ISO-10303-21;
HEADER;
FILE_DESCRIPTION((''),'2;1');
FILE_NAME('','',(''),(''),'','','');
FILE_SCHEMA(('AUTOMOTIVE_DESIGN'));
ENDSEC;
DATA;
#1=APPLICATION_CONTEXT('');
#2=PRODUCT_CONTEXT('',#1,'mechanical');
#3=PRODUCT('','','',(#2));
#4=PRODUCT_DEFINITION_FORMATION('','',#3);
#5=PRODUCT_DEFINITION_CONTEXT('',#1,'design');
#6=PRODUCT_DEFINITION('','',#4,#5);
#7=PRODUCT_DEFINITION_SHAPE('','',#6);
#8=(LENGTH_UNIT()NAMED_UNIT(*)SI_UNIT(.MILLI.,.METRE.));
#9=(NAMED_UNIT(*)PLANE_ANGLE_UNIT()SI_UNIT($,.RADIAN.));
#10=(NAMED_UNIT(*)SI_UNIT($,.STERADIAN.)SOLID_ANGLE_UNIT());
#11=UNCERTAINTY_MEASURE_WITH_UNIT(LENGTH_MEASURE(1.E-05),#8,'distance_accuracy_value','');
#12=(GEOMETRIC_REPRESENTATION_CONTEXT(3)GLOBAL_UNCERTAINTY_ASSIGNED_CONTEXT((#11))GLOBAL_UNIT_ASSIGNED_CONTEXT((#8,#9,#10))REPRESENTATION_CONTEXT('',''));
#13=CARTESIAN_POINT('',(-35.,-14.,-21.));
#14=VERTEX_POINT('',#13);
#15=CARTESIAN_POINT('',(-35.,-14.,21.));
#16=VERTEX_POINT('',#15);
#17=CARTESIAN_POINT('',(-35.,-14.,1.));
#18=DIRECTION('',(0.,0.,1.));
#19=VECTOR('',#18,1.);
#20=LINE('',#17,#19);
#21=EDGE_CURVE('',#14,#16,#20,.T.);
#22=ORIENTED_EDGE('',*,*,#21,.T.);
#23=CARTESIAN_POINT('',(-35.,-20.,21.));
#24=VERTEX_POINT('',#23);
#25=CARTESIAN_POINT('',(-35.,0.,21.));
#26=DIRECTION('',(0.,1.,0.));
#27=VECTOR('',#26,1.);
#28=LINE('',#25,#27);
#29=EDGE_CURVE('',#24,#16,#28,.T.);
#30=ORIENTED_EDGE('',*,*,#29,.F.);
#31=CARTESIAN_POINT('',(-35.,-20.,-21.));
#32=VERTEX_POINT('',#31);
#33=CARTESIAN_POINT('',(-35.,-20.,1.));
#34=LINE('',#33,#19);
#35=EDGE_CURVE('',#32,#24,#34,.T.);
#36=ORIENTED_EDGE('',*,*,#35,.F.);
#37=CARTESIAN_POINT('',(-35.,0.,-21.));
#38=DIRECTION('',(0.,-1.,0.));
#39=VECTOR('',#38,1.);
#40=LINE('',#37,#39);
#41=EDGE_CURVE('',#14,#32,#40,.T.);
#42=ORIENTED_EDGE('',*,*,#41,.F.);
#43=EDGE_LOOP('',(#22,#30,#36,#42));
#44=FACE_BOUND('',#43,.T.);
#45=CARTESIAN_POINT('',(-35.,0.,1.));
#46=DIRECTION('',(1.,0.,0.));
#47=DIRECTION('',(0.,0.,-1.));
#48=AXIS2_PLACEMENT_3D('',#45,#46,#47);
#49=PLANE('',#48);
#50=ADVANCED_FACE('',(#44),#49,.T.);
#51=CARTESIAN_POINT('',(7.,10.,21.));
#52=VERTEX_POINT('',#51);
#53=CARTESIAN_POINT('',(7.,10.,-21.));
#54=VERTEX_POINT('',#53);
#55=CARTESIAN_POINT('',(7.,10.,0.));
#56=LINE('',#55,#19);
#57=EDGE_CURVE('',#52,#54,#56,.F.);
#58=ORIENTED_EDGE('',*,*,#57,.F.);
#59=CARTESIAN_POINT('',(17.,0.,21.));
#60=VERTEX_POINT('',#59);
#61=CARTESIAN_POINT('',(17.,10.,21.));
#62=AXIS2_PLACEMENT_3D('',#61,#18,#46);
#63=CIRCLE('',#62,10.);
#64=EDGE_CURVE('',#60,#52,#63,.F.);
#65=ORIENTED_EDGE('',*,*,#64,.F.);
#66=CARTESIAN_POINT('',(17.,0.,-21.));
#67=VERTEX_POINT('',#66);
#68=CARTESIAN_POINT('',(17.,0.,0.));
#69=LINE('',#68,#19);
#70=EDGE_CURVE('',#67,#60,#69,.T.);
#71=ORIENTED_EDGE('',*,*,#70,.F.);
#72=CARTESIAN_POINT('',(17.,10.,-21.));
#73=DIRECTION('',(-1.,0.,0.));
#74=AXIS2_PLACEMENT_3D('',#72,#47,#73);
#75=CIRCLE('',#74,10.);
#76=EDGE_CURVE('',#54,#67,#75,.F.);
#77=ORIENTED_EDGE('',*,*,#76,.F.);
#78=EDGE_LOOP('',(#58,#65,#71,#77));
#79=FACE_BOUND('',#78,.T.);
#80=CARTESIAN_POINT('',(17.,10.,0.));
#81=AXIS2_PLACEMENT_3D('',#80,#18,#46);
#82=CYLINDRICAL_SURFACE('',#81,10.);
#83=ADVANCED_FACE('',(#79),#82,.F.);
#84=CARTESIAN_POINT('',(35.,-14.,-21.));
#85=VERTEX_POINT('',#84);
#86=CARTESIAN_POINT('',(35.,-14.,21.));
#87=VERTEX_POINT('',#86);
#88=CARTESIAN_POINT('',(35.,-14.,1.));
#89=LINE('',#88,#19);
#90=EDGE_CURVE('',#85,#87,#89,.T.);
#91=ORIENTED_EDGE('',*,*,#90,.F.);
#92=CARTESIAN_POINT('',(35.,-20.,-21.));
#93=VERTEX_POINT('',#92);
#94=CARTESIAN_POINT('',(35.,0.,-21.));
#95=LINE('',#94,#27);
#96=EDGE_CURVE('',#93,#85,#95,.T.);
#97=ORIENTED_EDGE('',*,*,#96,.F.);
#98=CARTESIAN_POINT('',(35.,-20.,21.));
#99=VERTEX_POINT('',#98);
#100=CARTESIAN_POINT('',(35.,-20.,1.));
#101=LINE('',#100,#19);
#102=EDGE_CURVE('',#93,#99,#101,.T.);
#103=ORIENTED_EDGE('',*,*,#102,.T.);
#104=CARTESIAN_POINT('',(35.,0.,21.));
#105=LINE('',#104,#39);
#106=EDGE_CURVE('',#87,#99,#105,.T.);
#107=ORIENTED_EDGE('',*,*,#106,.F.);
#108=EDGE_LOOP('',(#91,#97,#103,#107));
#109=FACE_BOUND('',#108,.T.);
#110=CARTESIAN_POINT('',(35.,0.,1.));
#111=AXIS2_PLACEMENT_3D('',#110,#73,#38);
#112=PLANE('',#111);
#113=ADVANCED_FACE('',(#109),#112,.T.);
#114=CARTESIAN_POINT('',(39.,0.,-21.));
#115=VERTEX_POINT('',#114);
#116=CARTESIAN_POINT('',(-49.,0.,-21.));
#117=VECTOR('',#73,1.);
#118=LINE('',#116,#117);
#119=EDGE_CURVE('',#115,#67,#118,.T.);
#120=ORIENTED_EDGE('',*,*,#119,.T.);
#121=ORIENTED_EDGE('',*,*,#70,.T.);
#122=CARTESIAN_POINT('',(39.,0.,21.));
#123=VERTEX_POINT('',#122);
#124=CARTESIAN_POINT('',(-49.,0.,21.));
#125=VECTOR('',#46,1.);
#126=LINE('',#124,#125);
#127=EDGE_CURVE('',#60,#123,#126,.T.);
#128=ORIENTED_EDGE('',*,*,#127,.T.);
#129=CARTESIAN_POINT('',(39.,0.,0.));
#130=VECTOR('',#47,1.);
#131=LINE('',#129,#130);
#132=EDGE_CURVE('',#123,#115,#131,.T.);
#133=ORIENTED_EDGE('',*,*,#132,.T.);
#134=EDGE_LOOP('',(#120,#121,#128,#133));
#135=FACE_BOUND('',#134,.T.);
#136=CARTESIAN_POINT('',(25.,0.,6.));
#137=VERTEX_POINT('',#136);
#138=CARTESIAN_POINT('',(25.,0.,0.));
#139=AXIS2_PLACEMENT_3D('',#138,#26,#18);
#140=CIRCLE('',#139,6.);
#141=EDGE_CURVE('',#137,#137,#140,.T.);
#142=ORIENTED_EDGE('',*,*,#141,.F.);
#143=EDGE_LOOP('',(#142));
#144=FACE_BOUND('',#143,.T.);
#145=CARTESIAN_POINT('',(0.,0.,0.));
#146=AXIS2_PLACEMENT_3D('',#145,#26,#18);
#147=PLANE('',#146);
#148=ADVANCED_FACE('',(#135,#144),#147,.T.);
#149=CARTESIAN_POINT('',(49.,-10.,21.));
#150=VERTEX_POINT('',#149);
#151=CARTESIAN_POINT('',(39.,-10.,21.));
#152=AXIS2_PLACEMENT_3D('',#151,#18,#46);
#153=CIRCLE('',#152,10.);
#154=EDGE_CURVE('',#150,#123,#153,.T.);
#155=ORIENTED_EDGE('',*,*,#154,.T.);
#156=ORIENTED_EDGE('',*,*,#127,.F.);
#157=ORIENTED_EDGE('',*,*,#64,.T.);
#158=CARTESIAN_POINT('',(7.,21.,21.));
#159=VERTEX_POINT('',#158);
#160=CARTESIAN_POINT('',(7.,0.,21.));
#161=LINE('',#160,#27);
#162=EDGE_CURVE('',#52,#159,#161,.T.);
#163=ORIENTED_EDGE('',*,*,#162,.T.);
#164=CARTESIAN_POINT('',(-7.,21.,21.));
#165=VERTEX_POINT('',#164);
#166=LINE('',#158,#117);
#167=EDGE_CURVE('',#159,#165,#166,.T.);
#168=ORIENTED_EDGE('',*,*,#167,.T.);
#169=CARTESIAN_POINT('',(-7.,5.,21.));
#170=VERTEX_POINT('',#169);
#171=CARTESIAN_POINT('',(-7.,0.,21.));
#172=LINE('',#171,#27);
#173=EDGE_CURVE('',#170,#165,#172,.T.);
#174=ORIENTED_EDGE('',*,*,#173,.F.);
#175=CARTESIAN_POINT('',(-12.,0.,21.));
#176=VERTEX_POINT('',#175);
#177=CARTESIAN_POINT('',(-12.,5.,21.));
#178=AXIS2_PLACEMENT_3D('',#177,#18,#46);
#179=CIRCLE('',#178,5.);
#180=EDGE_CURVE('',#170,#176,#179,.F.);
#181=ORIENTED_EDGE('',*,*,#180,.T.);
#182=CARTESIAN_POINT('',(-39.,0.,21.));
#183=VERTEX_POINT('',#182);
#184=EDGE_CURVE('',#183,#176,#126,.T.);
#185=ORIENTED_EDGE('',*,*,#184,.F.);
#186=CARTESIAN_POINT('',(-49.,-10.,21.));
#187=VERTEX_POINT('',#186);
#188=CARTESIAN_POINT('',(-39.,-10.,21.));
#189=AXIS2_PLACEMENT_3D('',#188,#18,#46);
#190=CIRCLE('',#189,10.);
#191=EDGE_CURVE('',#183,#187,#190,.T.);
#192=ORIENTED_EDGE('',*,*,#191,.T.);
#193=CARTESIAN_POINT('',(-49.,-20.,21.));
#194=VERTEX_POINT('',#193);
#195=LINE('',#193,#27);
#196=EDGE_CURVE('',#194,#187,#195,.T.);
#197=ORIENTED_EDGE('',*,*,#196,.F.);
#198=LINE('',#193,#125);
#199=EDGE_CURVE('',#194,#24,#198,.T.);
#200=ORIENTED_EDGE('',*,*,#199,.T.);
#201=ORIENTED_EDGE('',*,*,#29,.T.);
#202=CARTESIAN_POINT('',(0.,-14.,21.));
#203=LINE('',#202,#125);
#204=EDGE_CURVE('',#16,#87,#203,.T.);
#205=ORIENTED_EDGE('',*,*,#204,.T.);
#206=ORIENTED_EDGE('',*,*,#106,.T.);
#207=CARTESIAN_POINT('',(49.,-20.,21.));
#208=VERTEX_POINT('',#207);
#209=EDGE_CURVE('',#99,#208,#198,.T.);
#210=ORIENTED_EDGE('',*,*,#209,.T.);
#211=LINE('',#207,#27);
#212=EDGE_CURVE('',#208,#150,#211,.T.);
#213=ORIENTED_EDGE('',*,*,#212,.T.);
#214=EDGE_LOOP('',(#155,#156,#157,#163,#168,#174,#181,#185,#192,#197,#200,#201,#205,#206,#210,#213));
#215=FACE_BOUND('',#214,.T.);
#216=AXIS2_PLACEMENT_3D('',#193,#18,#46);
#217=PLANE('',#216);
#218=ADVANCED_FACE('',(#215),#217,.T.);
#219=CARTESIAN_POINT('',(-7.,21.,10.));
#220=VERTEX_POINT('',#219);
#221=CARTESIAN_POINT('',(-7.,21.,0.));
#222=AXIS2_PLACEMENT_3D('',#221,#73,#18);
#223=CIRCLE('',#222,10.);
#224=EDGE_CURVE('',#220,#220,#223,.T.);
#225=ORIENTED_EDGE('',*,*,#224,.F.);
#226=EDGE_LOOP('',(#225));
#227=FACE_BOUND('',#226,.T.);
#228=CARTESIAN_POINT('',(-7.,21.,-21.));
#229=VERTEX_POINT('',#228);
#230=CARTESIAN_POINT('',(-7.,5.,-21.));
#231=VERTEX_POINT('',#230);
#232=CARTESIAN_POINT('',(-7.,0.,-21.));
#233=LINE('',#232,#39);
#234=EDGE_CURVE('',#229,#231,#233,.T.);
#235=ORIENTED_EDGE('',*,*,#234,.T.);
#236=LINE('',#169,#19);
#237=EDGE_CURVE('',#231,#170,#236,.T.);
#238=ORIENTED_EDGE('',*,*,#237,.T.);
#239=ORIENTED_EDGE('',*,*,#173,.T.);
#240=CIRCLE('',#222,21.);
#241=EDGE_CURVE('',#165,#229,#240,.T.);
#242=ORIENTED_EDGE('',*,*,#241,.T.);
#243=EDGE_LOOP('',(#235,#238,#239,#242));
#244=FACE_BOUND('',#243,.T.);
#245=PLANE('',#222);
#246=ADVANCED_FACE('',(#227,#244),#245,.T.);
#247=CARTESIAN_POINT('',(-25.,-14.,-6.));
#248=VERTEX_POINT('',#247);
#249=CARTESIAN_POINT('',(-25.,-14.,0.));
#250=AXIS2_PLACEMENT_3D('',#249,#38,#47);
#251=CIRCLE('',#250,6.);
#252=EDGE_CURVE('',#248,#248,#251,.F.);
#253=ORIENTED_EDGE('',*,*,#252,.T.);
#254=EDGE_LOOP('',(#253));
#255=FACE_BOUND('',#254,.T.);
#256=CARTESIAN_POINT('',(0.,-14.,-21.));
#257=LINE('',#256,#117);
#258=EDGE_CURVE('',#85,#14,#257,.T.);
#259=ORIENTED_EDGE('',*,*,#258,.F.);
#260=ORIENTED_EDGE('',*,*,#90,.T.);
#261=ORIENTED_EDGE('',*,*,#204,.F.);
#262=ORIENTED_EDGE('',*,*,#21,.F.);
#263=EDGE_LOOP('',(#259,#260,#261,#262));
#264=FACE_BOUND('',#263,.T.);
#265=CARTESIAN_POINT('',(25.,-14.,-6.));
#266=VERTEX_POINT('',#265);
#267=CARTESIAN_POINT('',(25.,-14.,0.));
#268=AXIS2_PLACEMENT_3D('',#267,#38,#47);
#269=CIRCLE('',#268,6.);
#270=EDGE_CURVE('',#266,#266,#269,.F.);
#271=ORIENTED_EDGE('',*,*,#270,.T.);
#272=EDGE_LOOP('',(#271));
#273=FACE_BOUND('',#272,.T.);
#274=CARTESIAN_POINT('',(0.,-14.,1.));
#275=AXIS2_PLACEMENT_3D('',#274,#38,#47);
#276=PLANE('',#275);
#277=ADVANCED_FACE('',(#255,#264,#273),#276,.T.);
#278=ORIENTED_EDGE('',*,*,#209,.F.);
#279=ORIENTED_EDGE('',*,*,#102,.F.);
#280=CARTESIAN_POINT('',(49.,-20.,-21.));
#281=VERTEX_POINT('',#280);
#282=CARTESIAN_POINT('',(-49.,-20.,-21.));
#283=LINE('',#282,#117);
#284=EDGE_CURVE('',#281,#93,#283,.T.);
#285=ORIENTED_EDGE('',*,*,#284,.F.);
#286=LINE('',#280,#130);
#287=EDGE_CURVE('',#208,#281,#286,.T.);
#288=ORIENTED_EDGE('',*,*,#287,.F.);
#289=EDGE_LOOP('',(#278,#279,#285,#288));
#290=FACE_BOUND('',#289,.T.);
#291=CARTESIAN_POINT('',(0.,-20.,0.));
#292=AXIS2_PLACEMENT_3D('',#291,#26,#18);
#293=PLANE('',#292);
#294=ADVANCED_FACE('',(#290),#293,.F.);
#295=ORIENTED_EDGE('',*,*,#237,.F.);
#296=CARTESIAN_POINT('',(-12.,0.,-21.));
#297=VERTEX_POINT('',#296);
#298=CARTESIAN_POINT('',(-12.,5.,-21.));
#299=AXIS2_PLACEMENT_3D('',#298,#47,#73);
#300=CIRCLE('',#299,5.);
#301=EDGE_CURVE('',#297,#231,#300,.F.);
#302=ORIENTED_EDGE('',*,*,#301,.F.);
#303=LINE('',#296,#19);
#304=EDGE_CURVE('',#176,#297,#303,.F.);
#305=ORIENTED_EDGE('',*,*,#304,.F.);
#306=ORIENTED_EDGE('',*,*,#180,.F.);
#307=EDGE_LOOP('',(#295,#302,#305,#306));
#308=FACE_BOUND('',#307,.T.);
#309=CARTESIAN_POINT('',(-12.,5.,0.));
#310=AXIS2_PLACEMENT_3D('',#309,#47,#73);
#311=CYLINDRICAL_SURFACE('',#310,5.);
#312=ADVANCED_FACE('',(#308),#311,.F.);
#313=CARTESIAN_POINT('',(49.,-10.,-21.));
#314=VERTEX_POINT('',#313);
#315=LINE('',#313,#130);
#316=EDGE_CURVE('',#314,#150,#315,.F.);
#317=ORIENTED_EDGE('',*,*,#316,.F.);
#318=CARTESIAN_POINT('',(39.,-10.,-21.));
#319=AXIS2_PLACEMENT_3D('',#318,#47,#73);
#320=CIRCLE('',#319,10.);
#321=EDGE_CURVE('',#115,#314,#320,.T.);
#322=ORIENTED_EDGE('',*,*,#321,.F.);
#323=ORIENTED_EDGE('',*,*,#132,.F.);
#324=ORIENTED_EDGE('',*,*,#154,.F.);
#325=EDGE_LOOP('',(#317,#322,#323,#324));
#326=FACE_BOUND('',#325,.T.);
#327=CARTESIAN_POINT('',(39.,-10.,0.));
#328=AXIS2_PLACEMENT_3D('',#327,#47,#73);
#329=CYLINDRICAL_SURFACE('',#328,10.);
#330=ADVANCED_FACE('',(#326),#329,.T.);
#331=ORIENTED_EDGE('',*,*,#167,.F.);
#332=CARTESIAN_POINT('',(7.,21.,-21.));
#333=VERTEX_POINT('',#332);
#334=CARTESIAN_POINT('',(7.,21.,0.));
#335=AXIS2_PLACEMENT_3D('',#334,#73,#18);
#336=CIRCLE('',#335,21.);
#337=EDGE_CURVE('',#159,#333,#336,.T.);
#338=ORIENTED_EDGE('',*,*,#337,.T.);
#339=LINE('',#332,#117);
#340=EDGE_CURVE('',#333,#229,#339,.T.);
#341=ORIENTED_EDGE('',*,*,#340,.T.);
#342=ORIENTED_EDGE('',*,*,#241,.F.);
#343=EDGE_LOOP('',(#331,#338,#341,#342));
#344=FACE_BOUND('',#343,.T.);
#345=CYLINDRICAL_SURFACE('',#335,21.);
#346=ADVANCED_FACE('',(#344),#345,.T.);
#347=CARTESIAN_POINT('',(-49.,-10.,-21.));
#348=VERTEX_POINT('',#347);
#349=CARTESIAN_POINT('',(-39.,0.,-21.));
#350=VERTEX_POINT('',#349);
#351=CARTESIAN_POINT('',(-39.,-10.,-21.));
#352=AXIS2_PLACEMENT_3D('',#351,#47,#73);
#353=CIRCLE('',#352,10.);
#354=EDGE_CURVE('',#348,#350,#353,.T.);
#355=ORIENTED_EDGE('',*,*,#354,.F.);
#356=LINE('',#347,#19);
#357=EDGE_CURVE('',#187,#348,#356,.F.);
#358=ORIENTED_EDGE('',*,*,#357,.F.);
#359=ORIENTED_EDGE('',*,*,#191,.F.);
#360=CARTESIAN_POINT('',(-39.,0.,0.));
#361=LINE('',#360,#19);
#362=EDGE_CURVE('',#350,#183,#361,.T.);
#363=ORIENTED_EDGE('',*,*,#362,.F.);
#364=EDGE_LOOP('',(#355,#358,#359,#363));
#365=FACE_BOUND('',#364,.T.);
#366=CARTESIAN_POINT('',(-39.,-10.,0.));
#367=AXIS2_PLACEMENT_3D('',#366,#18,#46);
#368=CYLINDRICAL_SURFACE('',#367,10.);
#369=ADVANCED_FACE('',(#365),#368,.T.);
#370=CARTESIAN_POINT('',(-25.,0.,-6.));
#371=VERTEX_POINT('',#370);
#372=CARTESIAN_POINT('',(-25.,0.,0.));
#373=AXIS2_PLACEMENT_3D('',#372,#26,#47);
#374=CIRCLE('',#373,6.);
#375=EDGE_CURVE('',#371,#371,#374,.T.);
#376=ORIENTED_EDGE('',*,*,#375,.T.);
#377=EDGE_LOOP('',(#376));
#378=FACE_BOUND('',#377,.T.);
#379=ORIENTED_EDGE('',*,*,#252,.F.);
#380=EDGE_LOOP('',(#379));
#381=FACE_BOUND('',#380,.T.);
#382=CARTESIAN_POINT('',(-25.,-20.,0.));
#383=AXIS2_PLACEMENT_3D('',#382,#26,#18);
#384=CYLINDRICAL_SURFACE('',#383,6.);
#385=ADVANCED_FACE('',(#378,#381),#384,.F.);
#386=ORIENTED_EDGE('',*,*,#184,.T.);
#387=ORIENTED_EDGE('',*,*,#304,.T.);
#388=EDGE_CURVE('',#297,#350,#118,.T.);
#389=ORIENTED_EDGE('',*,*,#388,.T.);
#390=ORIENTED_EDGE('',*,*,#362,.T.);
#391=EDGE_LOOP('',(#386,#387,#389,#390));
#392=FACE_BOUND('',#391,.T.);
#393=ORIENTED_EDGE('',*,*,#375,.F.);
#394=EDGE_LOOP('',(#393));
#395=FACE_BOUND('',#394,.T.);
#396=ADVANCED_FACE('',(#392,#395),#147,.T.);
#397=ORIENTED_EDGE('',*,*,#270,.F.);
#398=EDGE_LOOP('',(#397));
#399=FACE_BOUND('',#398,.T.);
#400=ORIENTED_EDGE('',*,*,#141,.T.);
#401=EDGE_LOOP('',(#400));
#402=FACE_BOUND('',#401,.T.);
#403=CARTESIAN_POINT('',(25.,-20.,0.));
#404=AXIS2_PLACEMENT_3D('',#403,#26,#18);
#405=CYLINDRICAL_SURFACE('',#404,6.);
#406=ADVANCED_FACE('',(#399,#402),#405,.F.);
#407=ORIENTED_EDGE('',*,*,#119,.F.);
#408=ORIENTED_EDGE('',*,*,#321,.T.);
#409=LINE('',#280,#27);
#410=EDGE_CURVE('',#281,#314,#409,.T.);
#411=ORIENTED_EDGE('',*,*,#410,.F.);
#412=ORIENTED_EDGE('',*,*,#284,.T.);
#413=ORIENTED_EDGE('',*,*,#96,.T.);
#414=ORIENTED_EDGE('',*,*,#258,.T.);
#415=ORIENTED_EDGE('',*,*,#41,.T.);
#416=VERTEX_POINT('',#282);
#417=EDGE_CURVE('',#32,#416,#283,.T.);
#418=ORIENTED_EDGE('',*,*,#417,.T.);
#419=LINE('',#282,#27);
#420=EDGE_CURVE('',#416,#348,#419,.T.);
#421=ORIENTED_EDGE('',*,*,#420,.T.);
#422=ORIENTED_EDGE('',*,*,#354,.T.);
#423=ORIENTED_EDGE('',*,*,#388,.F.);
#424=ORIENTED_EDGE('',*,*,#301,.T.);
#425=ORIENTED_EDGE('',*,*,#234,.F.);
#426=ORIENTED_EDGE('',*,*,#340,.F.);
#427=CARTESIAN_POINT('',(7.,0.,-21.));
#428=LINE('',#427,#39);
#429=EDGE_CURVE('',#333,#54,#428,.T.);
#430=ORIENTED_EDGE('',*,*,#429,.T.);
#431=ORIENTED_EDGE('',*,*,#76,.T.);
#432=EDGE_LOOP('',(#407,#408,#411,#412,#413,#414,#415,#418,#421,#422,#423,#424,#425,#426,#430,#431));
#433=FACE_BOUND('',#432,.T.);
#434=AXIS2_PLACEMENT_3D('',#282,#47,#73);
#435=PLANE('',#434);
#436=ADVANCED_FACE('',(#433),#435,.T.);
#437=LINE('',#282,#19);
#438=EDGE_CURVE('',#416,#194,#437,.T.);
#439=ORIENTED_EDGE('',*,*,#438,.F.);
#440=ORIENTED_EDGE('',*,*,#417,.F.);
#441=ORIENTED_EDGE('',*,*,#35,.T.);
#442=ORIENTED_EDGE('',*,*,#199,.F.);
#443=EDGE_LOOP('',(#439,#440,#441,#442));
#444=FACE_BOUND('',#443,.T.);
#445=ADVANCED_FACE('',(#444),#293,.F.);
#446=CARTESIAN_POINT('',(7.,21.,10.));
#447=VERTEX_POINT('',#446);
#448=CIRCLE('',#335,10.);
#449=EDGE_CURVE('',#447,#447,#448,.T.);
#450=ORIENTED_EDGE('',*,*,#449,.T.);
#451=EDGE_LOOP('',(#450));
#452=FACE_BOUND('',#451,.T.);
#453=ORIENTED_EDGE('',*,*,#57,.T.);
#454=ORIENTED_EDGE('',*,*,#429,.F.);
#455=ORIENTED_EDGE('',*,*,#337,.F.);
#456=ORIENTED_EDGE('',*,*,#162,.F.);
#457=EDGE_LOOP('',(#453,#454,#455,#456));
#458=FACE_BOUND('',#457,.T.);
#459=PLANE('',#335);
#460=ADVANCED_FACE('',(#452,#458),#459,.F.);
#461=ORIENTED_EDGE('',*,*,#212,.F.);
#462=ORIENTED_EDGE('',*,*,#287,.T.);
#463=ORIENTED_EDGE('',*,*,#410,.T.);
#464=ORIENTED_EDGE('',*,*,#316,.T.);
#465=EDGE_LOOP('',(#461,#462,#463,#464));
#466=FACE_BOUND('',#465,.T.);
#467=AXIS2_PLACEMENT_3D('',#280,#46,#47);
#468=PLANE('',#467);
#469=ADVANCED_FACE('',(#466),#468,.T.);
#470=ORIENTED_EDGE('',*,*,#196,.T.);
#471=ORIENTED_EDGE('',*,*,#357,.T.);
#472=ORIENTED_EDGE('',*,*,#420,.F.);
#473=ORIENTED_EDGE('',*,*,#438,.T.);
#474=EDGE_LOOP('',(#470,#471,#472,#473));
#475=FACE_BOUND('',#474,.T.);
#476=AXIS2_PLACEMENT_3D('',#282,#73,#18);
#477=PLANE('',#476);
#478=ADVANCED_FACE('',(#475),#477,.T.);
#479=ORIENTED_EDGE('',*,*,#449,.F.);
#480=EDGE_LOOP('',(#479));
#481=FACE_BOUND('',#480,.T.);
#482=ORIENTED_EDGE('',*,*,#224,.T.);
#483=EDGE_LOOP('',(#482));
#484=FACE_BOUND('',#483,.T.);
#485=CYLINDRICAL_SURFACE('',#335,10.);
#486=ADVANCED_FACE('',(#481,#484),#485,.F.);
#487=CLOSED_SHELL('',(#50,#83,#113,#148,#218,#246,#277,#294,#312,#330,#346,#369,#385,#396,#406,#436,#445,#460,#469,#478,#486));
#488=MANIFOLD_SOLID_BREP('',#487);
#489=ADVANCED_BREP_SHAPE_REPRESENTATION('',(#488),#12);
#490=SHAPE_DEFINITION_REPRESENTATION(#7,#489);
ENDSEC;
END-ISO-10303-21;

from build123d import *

# Parameters (mm, degrees)
SKETCH2_W           = 98
SKETCH2_H           = 42
SKETCH2_R           = 6
BOSS_EXTRUDE1_DEPTH = 20
SKETCH3_W           = 70
SKETCH3_H           = 6
CUT_EXTRUDE2_DEPTH  = 20
SKETCH4_W           = 70
SKETCH4_H           = 6
CUT_EXTRUDE3_DEPTH  = 20
SKETCH5_W           = 4.083920217
SKETCH5_H           = 6
CUT_EXTRUDE4_DEPTH  = 20
SKETCH6_W           = 4.083920217
SKETCH6_H           = 6
CUT_EXTRUDE5_DEPTH  = 20
SKETCH7_W           = 38.167840434
SKETCH7_H           = 6
CUT_EXTRUDE6_DEPTH  = 20
SKETCH8_R           = 10
BOSS_EXTRUDE2_DEPTH = 7
FILLET2_R           = 5
FILLET3_R           = 10


with BuildPart() as part:
    # Sketch2 → Boss-Extrude1 (new body)
    with BuildSketch(Plane(origin=(0, 0, 0), x_dir=(1, 0, 0), z_dir=(0, 1, 0))):
        Rectangle(SKETCH2_W, SKETCH2_H)
        with Locations((25, 0)):
            Circle(SKETCH2_R, mode=Mode.SUBTRACT)
        with Locations((-25, 0)):
            Circle(SKETCH2_R, mode=Mode.SUBTRACT)
    extrude(amount=-BOSS_EXTRUDE1_DEPTH)

    # Sketch3 → Cut-Extrude2 (cut)
    with BuildSketch(Plane.XY.offset(21)):
        with Locations((0, -17)):
            Rectangle(SKETCH3_W, SKETCH3_H)
    extrude(amount=-CUT_EXTRUDE2_DEPTH, mode=Mode.SUBTRACT)

    # Sketch4 → Cut-Extrude3 (cut)
    with BuildSketch(Plane(origin=(0, 0, -21), x_dir=(-1, 0, 0), z_dir=(0, 0, -1))):
        with Locations((0, -17)):
            Rectangle(SKETCH4_W, SKETCH4_H)
    extrude(amount=-CUT_EXTRUDE3_DEPTH, mode=Mode.SUBTRACT)

    # Sketch5 → Cut-Extrude4 (cut)
    with BuildSketch(Plane.XY.offset(1)):
        with Locations((32.958039892, -17)):
            Rectangle(SKETCH5_W, SKETCH5_H)
    extrude(amount=-CUT_EXTRUDE4_DEPTH, mode=Mode.SUBTRACT)

    # Sketch6 → Cut-Extrude5 (cut)
    with BuildSketch(Plane.XY.offset(1)):
        with Locations((-32.958039892, -17)):
            Rectangle(SKETCH6_W, SKETCH6_H)
    extrude(amount=-CUT_EXTRUDE5_DEPTH, mode=Mode.SUBTRACT)

    # Sketch7 → Cut-Extrude6 (cut)
    with BuildSketch(Plane.XY.offset(1)):
        with Locations((0, -17)):
            Rectangle(SKETCH7_W, SKETCH7_H)
    extrude(amount=-CUT_EXTRUDE6_DEPTH, mode=Mode.SUBTRACT)

    # Sketch8 → Boss-Extrude2 (add, symmetric)
    with BuildSketch(Plane.ZY):
        with BuildLine():
            Line((-21, 0), (21, 0))
            Line((21, 0), (21, 21))
            ThreePointArc((21, 21), (0, 42), (-21, 21))
            Line((-21, 21), (-21, 0))
        make_face()
        with Locations((0, 21)):
            Circle(SKETCH8_R, mode=Mode.SUBTRACT)
    extrude(amount=BOSS_EXTRUDE2_DEPTH, both=True)

    # Fillet2
    fillet2_edges = [part.edges().sort_by_distance(p)[0] for p in [
        (-7, 0, 0),
    ]]
    fillet(fillet2_edges, radius=FILLET2_R)

    # Fillet3
    fillet3_edges = [part.edges().sort_by_distance(p)[0] for p in [
        (7, 0, 0),
        (-49, 0, 0),
        (49, 0, 0),
    ]]
    fillet(fillet3_edges, radius=FILLET3_R)


solid = part.part
